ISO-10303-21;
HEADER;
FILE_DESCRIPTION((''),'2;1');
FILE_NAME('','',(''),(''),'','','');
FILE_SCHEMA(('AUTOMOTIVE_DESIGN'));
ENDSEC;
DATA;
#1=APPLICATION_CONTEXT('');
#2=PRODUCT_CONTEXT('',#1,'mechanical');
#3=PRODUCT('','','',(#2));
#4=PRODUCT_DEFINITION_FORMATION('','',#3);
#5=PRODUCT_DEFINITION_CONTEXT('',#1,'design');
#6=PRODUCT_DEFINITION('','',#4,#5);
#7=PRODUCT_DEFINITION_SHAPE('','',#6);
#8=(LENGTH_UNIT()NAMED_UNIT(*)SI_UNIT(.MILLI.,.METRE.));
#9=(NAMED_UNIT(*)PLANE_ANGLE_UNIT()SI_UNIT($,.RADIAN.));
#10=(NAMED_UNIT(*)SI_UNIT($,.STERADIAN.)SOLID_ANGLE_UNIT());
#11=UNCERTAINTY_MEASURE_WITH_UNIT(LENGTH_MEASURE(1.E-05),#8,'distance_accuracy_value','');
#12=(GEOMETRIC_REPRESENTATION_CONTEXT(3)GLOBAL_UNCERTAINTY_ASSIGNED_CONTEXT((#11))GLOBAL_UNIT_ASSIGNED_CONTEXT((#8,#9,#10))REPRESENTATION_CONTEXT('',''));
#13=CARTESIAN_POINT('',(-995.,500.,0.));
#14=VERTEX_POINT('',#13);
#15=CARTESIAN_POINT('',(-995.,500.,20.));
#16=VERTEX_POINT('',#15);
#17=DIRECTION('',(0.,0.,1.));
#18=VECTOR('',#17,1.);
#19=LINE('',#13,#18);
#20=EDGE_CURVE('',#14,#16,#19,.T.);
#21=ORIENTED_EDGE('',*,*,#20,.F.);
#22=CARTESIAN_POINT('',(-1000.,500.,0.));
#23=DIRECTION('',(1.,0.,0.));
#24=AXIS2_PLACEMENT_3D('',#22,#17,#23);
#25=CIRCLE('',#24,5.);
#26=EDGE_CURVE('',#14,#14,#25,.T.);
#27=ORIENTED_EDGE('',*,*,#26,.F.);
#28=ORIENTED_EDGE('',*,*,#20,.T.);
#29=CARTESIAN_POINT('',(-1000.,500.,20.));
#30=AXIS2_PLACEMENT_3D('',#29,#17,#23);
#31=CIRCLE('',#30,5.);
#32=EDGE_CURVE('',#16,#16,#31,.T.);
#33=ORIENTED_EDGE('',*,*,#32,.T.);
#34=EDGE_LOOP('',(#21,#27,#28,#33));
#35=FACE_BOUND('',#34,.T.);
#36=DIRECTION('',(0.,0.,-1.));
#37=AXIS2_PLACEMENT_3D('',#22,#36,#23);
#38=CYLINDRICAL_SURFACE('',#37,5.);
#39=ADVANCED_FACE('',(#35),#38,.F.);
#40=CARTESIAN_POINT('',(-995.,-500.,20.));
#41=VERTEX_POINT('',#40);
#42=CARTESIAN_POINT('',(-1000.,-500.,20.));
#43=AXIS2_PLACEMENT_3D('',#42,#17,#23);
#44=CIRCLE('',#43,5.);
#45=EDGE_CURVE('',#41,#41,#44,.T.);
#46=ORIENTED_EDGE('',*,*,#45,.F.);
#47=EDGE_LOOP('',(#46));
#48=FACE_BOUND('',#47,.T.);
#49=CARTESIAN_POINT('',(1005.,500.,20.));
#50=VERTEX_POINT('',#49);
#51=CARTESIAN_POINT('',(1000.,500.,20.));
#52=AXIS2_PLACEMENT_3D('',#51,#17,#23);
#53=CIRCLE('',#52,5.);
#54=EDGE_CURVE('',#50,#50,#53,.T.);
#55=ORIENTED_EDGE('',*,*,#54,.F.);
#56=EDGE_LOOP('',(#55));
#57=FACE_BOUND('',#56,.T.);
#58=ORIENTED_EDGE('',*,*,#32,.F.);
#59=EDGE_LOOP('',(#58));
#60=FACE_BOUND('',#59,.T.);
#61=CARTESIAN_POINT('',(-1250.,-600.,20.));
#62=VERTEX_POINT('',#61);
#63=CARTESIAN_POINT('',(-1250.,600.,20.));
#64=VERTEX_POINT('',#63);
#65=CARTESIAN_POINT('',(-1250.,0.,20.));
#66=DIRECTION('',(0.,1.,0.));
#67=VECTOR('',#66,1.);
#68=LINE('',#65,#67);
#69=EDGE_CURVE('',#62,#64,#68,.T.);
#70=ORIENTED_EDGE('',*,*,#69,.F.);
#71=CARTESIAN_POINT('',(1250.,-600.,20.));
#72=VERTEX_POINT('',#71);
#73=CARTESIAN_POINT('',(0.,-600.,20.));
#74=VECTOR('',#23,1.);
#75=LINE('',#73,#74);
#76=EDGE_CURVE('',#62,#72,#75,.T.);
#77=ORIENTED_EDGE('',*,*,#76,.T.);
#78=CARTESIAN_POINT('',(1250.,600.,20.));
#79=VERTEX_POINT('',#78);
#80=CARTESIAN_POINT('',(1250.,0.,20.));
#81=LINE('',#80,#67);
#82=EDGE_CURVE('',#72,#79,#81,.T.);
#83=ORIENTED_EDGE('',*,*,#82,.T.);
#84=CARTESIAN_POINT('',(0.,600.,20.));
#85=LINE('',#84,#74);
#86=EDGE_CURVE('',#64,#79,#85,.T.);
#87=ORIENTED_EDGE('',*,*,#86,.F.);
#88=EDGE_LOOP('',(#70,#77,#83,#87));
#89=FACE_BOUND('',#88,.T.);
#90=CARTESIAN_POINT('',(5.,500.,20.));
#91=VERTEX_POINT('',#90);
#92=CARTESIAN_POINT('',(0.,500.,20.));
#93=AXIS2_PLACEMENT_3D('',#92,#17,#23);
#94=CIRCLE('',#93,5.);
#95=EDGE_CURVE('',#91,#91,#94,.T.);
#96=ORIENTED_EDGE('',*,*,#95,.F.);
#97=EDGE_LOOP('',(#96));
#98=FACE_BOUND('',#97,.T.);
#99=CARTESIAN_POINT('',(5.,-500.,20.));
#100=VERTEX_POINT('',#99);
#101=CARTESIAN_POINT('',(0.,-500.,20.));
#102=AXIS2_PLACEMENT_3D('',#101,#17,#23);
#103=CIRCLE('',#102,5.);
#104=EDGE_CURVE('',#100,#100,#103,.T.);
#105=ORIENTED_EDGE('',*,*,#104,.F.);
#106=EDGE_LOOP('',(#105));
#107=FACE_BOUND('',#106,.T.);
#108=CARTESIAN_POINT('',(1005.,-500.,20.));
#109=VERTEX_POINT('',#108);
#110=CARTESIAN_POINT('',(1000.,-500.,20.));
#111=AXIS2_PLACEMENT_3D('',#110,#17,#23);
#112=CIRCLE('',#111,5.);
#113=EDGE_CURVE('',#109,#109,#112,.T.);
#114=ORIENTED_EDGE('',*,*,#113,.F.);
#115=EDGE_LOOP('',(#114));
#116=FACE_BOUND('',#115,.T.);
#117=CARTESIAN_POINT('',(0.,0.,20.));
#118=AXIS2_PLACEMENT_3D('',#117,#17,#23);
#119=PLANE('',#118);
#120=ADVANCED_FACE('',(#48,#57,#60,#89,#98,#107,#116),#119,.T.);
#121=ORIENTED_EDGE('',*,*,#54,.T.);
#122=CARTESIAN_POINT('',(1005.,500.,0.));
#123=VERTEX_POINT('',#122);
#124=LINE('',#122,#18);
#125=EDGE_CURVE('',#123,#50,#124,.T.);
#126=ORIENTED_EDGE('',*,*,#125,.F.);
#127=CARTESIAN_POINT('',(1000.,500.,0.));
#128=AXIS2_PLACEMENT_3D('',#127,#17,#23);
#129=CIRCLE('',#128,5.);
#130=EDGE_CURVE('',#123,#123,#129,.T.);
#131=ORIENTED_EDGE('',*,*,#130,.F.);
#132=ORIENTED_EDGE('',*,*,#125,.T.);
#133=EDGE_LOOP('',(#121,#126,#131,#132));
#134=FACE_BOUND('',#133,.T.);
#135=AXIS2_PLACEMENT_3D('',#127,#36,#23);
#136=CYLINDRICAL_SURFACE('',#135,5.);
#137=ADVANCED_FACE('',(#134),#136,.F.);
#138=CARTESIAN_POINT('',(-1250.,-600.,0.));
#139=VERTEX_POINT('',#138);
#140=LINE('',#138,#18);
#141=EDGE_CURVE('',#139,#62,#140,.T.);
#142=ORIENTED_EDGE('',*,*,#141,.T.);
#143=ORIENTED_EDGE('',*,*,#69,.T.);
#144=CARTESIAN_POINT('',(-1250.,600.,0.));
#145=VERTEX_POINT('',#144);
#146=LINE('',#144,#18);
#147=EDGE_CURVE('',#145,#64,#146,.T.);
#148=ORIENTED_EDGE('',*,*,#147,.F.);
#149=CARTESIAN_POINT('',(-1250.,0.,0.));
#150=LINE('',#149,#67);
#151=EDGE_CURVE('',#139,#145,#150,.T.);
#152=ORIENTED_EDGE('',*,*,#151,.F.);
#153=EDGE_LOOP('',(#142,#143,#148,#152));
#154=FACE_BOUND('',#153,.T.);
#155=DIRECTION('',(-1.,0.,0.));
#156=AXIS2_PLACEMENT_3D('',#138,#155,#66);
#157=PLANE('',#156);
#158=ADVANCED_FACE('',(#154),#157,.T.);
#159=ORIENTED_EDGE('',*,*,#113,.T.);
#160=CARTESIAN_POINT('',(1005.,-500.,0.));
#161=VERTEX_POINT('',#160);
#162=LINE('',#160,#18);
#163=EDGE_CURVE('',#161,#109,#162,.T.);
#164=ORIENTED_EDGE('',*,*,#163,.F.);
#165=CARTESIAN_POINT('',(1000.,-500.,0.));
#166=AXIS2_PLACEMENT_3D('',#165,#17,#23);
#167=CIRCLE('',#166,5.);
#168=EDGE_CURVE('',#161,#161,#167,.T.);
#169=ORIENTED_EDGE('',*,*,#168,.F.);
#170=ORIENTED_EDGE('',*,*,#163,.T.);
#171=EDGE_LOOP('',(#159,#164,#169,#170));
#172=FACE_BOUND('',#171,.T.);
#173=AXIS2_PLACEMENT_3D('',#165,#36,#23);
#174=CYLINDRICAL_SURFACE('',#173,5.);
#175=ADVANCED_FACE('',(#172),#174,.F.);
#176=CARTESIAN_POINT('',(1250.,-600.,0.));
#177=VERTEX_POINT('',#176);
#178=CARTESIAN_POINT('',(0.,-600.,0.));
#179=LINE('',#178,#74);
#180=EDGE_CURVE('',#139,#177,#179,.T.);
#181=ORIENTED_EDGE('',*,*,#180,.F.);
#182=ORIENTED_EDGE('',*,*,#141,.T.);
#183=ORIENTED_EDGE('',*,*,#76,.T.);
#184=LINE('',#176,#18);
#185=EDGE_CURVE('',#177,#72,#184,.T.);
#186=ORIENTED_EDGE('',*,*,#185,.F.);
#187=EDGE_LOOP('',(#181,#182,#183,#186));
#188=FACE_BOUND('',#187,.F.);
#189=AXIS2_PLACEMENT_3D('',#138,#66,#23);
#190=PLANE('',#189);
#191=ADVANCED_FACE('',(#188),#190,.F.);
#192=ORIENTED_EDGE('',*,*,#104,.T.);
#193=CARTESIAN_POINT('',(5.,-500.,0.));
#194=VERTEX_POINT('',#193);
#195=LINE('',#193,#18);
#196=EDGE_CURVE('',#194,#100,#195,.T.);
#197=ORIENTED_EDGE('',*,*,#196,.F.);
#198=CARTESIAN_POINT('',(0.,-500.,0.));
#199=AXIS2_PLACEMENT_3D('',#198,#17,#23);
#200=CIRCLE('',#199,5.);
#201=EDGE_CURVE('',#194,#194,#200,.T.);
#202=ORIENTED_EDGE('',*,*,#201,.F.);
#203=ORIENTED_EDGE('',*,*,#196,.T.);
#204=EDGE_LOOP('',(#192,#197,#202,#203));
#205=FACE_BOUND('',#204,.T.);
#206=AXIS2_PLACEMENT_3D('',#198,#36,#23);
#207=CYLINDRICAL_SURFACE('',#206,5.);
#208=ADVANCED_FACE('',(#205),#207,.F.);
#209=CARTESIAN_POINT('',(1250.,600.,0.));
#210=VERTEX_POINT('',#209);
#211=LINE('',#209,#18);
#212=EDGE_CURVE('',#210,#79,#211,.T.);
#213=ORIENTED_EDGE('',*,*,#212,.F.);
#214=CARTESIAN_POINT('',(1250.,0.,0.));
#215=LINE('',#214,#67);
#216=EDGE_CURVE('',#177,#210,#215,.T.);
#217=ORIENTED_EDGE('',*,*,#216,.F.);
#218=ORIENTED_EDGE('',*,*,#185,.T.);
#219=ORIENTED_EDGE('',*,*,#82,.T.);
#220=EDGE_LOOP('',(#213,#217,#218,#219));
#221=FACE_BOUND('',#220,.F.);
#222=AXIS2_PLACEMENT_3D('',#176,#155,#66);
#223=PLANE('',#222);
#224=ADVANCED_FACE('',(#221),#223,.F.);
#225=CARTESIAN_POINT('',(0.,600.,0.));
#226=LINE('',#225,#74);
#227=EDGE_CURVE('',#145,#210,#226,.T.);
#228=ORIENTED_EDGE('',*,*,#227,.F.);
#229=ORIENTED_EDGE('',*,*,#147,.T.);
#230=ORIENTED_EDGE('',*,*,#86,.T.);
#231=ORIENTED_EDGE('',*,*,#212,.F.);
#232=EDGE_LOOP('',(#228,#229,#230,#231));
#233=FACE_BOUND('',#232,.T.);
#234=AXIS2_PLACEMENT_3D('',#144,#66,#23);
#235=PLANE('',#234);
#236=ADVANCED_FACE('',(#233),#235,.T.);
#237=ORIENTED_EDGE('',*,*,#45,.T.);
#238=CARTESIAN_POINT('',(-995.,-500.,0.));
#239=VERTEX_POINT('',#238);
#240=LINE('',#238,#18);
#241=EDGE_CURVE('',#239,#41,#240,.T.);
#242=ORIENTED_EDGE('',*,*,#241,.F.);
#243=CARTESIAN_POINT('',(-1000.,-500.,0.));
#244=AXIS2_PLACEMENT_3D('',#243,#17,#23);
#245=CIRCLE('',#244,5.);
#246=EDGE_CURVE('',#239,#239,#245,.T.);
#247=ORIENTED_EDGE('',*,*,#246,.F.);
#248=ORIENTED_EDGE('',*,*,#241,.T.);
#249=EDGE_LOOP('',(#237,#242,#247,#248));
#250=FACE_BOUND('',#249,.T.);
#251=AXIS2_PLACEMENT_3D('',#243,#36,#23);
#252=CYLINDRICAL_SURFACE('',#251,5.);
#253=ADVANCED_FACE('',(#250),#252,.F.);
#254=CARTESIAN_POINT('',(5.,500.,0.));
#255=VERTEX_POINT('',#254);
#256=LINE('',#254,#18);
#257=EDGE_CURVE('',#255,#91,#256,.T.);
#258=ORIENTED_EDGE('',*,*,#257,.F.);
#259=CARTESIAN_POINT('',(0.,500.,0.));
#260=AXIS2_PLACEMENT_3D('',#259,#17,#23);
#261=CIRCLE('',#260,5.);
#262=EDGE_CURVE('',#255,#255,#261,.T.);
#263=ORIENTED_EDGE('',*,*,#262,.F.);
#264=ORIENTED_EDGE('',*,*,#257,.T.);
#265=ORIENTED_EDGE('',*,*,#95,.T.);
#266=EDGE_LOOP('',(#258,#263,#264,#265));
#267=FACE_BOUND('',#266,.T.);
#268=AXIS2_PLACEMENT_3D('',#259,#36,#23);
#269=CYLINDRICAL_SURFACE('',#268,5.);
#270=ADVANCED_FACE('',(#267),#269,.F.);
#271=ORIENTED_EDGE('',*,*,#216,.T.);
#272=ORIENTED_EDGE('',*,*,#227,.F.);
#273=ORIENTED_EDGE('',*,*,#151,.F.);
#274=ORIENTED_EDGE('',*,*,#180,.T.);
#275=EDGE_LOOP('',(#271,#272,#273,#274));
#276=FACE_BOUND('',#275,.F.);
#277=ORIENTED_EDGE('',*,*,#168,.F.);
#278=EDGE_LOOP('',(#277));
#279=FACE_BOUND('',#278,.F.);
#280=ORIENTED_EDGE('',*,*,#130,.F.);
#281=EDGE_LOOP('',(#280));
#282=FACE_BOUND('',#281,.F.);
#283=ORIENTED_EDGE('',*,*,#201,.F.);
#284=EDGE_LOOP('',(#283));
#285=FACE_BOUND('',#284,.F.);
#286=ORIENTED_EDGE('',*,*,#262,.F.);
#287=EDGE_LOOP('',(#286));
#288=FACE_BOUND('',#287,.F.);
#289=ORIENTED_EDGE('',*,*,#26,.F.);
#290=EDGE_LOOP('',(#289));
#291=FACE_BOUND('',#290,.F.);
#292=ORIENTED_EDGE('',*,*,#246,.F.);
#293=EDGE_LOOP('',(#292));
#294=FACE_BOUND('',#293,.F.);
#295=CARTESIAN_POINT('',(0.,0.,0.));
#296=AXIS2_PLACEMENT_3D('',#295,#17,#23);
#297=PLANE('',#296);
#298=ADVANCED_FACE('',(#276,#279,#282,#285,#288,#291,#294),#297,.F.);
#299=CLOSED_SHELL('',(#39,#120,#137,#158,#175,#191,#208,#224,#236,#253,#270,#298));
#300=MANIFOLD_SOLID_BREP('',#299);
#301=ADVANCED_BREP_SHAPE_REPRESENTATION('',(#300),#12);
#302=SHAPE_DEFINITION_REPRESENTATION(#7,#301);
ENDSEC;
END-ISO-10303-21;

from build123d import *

# Parameters (mm, degrees)
F0_W     = 2500
F0_H     = 1200
F0_R     = 5
F1_DEPTH = 20


with BuildPart() as f1:
    # F0 (on Top) → F1 (new body)
    with BuildSketch(Plane.XY):
        Rectangle(F0_W, F0_H)
        with Locations((-1000, -500)):
            Circle(F0_R, mode=Mode.SUBTRACT)
        with Locations((0, -500)):
            Circle(F0_R, mode=Mode.SUBTRACT)
        with Locations((1000, -500)):
            Circle(F0_R, mode=Mode.SUBTRACT)
        with Locations((-1000, 500)):
            Circle(F0_R, mode=Mode.SUBTRACT)
        with Locations((0, 500)):
            Circle(F0_R, mode=Mode.SUBTRACT)
        with Locations((1000, 500)):
            Circle(F0_R, mode=Mode.SUBTRACT)
    extrude(amount=F1_DEPTH)


solid = f1.part
